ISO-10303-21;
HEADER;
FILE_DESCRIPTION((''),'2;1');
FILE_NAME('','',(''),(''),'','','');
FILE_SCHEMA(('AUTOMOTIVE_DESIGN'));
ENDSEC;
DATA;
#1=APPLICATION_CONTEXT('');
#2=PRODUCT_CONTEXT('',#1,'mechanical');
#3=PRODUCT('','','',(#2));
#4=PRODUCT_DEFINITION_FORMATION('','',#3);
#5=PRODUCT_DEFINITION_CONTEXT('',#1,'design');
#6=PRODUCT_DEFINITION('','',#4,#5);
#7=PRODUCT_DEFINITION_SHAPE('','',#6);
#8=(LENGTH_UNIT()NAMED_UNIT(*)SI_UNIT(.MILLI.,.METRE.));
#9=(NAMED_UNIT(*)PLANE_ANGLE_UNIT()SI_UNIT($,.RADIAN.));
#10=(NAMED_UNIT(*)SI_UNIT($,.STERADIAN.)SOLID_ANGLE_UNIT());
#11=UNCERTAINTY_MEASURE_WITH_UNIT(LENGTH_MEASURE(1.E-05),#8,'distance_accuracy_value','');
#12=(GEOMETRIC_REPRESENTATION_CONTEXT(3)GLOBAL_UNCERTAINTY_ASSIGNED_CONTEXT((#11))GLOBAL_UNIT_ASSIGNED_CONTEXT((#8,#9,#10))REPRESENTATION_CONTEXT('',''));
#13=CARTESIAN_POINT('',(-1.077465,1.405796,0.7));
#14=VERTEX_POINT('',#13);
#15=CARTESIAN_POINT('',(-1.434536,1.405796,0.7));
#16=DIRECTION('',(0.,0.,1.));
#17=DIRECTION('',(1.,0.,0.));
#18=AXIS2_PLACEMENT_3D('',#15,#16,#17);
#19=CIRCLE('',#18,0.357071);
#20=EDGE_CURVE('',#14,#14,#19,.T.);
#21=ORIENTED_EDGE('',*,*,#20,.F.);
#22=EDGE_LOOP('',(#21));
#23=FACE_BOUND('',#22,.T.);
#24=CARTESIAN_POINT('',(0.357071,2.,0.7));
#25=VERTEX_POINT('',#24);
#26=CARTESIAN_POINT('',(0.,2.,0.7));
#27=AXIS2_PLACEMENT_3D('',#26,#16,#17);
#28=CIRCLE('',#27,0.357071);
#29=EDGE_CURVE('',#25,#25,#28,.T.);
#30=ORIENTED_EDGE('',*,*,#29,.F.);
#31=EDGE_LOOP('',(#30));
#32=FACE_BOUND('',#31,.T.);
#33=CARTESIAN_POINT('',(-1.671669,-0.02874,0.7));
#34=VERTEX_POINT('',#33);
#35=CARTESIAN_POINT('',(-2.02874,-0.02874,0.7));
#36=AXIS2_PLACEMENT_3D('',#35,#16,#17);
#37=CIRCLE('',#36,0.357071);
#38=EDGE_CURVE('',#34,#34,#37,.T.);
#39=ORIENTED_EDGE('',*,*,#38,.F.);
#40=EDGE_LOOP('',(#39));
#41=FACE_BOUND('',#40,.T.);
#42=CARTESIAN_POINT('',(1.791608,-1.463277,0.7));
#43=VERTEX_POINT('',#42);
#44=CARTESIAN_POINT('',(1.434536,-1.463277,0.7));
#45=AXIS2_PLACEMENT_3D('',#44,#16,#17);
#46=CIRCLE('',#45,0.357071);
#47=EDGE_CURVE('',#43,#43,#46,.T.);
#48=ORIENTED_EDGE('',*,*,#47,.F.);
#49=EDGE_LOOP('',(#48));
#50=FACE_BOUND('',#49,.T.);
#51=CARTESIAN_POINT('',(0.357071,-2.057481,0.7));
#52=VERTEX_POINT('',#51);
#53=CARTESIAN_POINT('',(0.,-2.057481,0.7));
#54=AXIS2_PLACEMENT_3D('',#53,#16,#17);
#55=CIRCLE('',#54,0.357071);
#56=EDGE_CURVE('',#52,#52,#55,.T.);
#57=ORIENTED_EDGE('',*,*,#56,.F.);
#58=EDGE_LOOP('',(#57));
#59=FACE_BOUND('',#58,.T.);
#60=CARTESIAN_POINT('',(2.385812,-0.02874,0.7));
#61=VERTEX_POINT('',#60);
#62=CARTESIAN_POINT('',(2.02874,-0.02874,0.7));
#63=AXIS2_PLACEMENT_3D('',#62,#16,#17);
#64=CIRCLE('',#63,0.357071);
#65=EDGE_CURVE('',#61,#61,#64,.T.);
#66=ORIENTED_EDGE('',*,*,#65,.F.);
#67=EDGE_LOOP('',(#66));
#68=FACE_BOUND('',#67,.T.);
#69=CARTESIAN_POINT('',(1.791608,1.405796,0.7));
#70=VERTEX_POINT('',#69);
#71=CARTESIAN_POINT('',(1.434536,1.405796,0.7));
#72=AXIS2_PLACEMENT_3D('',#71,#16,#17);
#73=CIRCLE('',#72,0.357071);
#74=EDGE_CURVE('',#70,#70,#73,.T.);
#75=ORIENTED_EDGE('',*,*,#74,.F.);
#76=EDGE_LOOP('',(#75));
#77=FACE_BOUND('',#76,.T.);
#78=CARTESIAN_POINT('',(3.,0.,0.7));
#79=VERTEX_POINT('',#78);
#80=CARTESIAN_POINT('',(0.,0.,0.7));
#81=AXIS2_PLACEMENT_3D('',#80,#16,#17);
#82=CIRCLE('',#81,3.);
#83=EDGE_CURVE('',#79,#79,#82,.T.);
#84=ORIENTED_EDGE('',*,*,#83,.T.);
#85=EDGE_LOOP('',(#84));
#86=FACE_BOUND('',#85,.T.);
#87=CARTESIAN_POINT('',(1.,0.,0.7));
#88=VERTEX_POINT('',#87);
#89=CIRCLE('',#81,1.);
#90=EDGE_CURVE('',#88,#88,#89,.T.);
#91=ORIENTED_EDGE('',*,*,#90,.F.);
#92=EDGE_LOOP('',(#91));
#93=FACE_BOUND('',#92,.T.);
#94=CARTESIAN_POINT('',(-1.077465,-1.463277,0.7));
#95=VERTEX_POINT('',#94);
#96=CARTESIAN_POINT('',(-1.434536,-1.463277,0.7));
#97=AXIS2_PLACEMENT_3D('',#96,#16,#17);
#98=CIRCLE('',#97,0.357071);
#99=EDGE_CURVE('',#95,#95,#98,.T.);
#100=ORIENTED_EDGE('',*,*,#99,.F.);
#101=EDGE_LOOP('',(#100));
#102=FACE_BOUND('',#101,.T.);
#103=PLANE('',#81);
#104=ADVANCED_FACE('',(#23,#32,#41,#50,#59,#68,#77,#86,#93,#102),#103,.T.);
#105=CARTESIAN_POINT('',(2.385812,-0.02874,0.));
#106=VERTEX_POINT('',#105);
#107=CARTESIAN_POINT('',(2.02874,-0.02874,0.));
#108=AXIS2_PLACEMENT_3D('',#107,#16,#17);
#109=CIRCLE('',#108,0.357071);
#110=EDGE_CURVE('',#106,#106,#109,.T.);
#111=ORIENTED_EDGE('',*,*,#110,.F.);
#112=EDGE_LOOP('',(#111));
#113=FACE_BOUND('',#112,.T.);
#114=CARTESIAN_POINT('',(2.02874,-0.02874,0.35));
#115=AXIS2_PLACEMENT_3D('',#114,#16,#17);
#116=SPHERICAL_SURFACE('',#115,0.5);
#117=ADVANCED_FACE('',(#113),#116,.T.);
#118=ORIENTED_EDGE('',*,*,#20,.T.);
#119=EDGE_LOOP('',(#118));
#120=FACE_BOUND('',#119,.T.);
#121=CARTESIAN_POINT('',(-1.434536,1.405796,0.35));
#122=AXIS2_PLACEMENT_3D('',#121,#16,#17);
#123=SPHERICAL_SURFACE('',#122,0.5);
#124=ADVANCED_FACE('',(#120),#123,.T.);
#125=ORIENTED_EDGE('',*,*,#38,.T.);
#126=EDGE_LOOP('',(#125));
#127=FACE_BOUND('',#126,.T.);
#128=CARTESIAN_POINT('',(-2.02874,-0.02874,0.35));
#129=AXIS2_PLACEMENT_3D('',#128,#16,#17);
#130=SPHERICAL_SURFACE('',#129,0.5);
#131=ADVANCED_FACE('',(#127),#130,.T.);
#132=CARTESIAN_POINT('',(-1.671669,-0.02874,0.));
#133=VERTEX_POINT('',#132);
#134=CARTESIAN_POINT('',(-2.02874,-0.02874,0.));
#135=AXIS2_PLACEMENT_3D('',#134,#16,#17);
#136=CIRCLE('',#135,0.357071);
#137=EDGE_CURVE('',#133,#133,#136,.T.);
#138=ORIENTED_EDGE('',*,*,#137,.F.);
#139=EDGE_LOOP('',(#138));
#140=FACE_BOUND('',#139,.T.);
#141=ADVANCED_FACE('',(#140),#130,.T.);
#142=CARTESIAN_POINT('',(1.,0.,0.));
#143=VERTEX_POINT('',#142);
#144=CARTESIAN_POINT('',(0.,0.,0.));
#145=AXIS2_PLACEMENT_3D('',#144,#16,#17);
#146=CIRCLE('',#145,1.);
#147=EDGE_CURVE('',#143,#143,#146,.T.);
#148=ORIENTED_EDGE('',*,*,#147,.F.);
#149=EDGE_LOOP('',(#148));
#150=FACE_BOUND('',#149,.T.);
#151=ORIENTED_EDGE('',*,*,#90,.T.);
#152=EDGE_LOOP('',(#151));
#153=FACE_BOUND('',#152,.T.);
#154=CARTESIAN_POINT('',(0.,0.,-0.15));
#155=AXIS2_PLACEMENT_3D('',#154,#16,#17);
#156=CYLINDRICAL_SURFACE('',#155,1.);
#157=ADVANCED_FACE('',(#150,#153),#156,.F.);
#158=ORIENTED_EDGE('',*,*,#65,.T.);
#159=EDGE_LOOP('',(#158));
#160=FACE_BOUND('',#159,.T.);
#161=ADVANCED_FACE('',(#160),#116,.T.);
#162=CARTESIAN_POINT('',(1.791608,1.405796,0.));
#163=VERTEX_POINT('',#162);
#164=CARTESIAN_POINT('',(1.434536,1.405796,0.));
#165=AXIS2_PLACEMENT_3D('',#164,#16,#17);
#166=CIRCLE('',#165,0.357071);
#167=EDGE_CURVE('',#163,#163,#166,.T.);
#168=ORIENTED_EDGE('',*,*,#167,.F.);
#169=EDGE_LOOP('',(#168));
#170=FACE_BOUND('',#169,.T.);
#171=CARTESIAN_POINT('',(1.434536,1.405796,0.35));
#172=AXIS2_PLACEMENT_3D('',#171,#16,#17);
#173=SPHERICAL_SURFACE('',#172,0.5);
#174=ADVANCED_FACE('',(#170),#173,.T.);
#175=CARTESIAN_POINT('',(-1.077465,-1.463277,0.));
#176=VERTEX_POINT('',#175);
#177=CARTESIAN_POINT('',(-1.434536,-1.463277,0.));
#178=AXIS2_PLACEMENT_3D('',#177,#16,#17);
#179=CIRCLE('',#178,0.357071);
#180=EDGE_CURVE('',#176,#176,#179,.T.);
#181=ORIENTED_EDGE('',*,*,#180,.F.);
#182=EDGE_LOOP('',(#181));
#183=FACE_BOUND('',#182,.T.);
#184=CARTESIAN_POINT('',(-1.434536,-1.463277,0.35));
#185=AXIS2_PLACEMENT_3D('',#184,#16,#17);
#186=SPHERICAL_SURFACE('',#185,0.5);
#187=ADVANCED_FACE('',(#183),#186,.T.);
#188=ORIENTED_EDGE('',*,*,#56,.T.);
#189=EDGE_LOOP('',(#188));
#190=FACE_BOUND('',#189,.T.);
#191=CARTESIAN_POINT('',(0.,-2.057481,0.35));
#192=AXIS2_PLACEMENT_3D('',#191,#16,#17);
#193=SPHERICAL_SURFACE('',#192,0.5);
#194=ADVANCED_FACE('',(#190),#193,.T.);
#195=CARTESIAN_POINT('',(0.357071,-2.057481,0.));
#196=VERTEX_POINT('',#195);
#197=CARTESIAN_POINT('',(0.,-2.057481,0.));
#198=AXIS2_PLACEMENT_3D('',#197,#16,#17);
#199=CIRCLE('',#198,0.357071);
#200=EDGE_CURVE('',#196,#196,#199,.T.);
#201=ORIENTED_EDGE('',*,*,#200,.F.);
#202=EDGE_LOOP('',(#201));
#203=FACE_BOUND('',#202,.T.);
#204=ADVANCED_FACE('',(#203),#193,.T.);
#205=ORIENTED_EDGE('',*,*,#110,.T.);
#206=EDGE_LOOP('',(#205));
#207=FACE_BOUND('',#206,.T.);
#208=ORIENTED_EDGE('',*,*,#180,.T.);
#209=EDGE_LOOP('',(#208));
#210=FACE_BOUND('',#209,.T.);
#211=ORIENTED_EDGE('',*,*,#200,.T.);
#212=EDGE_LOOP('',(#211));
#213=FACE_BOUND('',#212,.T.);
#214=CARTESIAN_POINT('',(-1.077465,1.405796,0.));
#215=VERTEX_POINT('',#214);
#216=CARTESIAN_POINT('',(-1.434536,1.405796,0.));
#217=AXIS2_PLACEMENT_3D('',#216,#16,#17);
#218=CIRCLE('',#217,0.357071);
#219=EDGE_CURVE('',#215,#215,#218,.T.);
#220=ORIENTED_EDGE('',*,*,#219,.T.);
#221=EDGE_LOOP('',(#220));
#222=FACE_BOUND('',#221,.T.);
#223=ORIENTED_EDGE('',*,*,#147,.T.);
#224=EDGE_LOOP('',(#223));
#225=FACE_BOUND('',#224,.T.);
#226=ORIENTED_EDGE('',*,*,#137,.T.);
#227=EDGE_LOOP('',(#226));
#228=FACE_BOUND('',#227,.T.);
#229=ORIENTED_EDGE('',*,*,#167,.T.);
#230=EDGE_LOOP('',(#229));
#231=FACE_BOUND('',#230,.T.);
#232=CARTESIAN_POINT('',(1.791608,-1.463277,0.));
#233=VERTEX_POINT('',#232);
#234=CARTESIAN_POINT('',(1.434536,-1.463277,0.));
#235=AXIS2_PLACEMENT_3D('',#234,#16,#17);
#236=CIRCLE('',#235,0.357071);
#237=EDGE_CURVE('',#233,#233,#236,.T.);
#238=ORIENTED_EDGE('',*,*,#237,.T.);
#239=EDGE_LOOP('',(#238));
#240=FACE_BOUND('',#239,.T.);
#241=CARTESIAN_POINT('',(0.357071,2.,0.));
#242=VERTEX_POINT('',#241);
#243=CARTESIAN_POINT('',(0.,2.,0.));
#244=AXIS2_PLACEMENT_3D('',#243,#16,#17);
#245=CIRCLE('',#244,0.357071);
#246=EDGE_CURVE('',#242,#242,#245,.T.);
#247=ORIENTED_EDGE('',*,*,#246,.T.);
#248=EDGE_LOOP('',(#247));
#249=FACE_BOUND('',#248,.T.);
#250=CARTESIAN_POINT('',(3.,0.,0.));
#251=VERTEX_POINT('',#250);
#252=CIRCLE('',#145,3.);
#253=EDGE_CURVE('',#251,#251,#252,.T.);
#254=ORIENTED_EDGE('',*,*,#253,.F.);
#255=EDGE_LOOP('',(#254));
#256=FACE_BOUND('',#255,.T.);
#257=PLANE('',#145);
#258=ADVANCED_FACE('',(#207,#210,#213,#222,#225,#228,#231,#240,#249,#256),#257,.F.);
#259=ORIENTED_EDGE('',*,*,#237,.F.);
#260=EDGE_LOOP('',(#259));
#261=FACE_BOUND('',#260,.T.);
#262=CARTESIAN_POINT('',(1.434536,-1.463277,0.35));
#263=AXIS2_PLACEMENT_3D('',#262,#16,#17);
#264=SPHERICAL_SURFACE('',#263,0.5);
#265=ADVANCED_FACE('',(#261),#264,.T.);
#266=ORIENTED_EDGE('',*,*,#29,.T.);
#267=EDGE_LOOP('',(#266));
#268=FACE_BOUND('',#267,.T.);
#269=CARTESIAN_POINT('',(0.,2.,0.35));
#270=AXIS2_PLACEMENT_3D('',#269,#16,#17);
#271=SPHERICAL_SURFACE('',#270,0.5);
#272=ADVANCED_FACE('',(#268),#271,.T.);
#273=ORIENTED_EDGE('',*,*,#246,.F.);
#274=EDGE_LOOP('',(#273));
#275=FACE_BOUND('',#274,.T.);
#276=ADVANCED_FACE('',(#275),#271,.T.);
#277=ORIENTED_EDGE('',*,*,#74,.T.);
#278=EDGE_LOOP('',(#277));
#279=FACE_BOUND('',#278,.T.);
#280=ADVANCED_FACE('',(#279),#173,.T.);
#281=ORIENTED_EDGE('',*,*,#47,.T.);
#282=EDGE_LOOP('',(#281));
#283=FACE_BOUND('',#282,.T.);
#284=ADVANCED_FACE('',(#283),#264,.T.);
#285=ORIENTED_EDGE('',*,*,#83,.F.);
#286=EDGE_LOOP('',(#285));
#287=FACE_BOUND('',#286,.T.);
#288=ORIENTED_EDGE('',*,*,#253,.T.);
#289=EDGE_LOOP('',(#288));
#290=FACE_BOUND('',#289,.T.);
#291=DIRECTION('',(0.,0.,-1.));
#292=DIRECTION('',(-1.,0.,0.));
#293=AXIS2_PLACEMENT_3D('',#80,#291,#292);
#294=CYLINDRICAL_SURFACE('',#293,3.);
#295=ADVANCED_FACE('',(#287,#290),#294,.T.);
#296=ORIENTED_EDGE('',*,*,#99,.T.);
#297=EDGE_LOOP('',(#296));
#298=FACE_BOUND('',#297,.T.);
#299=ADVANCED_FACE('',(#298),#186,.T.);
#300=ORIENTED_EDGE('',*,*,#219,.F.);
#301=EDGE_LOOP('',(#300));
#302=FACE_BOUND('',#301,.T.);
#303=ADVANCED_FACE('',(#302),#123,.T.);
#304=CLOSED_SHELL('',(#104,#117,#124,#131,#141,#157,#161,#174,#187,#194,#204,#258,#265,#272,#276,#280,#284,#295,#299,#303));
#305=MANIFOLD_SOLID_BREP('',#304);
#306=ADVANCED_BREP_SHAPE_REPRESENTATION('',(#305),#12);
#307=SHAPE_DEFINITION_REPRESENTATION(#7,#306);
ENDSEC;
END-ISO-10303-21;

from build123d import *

# Parameters (mm, degrees)
SKETCH_1_R               = 3
EXTRUDE_1_DEPTH          = 0.7
PATTERN_CIRCULAR_1_COUNT = 8
SKETCH_3_R               = 1
CUT_EXTRUDE_1_DEPTH      = 5.326950427


with BuildPart() as part:
    # 草图1 → 凸台-拉伸1 (new body)
    with BuildSketch(Plane.XY):
        Circle(SKETCH_1_R)
    extrude(amount=EXTRUDE_1_DEPTH)

    # 草图2 → 旋转1 (revolve)
    with BuildSketch(Plane.XY.offset(0.35)):
        with BuildLine():
            Line((0, 2.5), (0, 1.5))
            ThreePointArc((0, 1.5), (-0.5, 2), (0, 2.5))
        make_face()
    revolve_1 = revolve(axis=Axis((0, 2.5, 0.35), (0, -1, 0)))

    # 阵列(圆周)1: 旋转1 ×8 about axis
    pattern_circular_1_axis = Axis((0, -0.02874049, 0), (0, 0, 1))
    for i in range(1, PATTERN_CIRCULAR_1_COUNT):
        add(revolve_1.rotate(pattern_circular_1_axis, i * 360 / PATTERN_CIRCULAR_1_COUNT))

    # 草图3 → 切除-拉伸1 (cut, through all)
    with BuildSketch(Plane.XY.offset(0.7)):
        Circle(SKETCH_3_R)
    extrude(amount=-CUT_EXTRUDE_1_DEPTH, mode=Mode.SUBTRACT)


solid = part.part
